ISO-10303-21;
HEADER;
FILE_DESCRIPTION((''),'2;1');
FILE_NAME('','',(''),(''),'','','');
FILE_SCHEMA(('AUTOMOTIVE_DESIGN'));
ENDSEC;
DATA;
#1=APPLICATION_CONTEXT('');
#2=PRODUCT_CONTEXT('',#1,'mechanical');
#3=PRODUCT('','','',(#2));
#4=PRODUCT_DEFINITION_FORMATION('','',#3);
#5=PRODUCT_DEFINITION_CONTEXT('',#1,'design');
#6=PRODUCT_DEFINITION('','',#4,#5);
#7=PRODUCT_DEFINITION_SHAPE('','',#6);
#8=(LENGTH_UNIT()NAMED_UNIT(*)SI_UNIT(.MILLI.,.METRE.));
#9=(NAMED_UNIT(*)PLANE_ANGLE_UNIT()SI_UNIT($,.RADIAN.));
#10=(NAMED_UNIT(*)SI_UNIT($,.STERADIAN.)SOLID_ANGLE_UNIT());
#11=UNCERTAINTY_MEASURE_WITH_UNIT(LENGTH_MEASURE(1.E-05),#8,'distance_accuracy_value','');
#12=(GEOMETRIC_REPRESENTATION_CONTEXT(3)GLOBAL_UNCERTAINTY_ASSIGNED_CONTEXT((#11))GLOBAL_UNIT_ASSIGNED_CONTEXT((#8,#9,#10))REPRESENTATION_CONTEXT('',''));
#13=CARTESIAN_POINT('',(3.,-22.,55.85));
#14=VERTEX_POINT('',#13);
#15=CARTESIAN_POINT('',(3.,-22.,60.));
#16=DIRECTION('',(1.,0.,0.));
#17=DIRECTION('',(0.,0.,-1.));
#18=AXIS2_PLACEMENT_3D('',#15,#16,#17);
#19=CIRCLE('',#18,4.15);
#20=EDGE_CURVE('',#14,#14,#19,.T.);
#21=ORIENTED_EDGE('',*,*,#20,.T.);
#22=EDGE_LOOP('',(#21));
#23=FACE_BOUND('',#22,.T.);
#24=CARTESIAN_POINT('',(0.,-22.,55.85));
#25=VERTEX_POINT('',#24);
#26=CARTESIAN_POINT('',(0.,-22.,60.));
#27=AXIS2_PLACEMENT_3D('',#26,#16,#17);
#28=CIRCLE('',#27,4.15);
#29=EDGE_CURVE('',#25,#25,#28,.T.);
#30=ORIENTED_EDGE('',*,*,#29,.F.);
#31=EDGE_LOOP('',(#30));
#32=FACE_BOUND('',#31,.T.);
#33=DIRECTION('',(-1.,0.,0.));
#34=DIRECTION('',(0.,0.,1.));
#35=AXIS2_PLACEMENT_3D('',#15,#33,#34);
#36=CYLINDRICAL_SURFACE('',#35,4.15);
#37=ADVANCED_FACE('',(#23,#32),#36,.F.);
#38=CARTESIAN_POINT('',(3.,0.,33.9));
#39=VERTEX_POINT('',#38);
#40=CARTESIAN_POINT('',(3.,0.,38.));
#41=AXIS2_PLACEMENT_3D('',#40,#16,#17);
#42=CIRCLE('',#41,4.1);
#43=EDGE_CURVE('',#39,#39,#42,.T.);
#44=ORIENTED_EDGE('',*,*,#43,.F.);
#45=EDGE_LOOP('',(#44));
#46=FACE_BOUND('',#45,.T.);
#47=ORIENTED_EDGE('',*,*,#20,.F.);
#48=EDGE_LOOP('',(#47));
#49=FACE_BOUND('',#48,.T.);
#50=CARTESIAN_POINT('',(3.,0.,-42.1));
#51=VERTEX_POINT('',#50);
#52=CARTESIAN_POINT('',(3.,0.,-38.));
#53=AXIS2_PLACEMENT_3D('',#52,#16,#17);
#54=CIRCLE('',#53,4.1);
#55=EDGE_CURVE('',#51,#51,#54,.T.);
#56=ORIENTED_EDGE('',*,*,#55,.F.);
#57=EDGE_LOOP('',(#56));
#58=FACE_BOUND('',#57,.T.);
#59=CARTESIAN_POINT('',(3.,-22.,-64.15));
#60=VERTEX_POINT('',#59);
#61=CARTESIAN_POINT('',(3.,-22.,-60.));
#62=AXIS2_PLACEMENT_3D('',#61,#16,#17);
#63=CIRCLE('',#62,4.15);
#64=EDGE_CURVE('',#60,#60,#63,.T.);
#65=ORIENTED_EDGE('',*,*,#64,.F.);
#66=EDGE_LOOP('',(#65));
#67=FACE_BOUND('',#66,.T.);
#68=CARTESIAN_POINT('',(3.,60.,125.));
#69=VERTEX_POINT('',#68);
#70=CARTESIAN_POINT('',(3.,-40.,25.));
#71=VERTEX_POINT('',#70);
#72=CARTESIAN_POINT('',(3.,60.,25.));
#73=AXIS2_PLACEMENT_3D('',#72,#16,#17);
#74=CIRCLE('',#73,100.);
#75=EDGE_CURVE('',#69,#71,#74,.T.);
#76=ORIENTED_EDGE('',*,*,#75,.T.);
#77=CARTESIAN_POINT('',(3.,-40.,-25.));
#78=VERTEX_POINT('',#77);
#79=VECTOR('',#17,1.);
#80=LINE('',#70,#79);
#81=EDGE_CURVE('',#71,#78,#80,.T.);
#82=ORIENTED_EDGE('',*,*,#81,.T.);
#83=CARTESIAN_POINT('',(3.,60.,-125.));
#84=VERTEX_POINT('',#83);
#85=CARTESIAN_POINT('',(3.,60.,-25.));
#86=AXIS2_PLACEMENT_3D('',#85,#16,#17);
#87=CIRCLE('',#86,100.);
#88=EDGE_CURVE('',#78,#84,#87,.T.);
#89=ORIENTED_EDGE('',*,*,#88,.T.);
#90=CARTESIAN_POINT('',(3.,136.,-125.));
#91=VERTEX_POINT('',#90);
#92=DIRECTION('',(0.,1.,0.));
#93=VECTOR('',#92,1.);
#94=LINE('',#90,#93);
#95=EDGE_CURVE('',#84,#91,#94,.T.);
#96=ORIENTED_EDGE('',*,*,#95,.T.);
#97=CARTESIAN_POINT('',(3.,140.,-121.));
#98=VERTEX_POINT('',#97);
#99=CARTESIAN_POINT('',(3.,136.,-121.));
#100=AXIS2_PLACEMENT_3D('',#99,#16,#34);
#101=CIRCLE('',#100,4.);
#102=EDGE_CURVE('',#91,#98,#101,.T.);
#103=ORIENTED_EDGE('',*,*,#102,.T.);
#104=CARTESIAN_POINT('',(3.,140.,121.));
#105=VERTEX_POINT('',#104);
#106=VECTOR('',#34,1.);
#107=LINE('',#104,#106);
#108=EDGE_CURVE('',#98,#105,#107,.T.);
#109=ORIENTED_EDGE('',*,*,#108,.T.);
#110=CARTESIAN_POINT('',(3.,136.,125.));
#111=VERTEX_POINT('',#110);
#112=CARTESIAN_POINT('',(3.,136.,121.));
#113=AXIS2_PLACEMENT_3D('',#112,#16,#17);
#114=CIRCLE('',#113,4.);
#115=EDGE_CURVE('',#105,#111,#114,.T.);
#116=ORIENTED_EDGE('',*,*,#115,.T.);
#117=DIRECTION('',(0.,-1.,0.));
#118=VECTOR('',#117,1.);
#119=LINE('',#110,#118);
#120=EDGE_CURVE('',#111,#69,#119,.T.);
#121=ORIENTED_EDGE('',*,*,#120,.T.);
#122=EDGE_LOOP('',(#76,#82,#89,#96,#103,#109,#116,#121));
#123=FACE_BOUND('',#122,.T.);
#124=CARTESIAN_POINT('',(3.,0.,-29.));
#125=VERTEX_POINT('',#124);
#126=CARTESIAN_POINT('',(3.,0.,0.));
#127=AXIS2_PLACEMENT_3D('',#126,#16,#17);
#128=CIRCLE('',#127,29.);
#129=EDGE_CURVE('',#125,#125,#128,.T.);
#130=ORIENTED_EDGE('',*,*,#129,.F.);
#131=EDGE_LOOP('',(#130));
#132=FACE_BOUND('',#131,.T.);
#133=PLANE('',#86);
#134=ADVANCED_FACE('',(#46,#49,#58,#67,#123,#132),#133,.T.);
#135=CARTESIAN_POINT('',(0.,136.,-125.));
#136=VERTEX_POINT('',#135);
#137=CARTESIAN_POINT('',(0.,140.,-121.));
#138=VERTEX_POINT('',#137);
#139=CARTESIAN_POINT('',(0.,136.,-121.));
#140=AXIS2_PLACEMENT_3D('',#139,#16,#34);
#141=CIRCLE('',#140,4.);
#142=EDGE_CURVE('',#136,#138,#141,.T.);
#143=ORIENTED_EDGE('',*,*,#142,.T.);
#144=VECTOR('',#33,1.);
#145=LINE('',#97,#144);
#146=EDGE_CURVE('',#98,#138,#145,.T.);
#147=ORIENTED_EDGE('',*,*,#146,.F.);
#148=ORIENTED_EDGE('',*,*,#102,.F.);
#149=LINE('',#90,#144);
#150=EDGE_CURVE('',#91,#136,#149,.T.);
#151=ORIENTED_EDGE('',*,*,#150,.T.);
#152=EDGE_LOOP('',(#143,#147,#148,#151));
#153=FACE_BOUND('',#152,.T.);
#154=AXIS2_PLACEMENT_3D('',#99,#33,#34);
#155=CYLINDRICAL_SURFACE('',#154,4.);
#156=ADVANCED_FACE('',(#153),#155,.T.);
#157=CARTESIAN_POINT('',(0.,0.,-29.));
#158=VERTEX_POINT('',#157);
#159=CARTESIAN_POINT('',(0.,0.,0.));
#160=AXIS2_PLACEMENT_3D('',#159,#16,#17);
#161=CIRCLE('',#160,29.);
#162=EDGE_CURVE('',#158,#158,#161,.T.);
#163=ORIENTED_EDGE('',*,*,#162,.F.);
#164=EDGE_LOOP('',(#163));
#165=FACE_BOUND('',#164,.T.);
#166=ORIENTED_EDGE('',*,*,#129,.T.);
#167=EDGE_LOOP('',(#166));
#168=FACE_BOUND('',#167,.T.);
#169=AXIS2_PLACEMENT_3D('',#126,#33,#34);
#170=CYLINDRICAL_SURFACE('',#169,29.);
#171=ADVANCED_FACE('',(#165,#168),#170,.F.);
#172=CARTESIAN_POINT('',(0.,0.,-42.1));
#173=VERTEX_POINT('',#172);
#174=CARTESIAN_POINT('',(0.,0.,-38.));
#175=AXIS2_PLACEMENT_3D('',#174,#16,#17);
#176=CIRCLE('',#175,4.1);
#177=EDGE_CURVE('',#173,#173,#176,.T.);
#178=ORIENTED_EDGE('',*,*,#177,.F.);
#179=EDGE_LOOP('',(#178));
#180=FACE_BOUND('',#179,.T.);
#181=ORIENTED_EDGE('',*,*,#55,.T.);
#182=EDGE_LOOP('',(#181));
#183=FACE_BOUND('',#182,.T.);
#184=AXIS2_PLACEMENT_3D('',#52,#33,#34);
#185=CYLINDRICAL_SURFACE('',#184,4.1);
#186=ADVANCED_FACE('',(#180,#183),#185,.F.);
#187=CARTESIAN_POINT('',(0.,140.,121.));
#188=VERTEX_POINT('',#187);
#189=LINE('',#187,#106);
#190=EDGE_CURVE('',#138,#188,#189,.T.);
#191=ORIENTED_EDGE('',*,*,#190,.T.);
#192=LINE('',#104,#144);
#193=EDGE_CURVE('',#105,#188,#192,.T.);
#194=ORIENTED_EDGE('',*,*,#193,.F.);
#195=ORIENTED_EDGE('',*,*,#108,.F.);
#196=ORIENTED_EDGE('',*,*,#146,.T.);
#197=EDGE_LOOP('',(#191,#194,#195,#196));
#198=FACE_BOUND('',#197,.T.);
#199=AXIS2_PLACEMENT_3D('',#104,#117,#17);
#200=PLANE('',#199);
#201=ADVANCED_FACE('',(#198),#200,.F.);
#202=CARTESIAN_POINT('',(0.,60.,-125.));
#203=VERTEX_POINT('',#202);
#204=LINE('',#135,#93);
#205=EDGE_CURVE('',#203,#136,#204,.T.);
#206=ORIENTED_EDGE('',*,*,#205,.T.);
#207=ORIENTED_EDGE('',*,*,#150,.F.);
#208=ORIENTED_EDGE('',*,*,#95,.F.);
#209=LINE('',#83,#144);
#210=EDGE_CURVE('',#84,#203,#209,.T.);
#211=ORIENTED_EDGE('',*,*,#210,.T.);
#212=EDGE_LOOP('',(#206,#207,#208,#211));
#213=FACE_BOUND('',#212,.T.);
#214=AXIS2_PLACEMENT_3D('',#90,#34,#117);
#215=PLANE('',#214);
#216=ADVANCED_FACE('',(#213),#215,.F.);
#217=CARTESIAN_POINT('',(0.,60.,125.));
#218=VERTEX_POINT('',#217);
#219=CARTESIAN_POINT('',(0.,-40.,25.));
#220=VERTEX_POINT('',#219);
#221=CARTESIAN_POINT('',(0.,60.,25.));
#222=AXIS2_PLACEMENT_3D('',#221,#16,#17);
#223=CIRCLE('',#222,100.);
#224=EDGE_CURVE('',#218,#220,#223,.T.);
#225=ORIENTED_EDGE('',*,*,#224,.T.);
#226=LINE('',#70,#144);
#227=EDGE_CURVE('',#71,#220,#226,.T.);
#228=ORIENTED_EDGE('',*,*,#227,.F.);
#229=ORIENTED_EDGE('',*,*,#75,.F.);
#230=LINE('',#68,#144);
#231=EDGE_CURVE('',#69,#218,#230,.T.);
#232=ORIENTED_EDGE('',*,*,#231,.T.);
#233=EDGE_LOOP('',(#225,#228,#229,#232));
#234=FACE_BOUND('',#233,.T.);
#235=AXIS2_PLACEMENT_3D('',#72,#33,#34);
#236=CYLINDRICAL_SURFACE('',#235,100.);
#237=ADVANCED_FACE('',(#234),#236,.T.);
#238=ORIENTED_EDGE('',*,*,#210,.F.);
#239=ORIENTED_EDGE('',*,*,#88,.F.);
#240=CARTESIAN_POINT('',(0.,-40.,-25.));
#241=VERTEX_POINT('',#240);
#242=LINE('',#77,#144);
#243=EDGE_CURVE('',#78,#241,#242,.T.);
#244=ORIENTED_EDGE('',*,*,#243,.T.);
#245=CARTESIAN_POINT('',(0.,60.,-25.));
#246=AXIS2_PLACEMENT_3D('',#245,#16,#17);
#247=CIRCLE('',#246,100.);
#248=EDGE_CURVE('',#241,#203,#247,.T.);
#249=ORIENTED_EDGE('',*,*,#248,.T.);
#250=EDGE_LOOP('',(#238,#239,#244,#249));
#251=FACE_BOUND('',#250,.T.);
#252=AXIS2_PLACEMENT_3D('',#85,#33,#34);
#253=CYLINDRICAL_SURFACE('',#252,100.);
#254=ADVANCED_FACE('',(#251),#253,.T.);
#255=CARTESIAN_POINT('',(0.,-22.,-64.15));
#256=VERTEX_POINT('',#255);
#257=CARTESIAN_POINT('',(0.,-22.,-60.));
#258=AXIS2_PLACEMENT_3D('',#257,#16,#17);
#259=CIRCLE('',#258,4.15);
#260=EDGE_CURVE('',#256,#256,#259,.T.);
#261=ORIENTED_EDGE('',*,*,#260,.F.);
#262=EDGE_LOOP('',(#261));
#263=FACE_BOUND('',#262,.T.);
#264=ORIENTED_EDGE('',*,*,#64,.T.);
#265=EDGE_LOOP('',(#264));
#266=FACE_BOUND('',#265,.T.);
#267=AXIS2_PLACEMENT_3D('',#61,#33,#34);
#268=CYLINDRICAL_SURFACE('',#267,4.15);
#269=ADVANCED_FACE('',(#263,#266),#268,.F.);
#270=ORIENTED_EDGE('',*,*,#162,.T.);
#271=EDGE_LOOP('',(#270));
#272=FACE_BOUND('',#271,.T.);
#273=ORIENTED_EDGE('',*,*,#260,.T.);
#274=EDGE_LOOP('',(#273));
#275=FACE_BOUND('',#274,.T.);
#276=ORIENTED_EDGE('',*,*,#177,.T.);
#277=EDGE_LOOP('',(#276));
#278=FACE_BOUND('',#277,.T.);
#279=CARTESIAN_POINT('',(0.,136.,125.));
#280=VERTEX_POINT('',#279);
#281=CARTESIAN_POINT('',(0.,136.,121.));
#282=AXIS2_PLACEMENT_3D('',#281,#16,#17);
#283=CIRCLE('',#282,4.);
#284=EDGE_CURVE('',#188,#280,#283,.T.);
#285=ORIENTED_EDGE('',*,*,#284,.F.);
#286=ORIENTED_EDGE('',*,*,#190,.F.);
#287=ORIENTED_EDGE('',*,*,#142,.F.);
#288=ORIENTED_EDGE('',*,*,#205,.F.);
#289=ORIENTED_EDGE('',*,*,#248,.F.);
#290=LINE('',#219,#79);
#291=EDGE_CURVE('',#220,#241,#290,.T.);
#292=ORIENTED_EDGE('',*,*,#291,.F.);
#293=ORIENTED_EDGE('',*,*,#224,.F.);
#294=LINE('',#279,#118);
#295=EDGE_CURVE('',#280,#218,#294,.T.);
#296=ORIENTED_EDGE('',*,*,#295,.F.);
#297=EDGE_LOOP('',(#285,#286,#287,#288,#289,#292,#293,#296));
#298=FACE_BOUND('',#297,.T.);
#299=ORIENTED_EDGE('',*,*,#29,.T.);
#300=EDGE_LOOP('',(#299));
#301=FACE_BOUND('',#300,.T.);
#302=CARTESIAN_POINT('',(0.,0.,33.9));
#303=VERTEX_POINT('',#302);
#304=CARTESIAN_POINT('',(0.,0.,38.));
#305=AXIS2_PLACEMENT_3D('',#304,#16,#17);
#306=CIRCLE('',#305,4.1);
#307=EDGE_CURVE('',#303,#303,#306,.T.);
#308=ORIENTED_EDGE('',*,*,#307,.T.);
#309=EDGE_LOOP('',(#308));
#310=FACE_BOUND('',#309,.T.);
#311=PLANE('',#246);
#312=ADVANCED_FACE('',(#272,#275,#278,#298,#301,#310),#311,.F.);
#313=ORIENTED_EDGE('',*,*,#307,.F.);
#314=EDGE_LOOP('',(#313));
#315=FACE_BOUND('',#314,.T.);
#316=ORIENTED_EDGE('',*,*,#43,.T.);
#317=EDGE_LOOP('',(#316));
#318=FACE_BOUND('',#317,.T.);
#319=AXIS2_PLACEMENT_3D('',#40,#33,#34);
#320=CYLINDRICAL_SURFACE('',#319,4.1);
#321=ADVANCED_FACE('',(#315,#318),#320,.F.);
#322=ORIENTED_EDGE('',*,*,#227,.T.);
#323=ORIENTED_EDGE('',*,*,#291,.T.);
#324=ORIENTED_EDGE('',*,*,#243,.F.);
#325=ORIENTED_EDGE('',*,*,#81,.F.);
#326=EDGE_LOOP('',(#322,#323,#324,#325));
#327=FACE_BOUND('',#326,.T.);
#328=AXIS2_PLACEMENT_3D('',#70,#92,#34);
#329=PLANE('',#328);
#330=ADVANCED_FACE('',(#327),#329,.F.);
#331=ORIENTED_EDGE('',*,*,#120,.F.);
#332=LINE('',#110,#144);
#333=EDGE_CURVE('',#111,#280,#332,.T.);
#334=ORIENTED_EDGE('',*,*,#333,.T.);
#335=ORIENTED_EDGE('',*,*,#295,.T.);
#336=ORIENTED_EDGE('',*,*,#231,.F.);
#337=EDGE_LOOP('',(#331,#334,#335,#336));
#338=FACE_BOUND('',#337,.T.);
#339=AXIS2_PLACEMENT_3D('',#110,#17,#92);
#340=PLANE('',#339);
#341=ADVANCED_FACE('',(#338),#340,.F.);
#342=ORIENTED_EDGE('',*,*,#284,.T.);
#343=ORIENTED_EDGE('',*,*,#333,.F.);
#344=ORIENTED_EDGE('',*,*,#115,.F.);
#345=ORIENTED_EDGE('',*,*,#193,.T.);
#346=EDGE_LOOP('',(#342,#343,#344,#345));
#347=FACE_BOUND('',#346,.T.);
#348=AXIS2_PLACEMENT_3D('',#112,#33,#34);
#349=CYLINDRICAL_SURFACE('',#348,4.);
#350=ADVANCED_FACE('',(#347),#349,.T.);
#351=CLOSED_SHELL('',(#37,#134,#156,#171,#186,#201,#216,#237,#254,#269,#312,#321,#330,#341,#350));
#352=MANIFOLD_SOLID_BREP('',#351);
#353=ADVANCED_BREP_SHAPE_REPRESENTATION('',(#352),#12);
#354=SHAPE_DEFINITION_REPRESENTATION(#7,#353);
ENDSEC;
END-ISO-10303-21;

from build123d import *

# Parameters (mm, degrees)
SKETCH_1_R      = 29
SKETCH_1_R_2    = 4.1
SKETCH_1_R_3    = 4.15
EXTRUDE_1_DEPTH = 3


with BuildPart() as part:
    # Эскиз1 → Бобышка-Вытянуть1 (new body)
    with BuildSketch(Plane(origin=(0, 0, 0), x_dir=(0, 0, -1), z_dir=(1, 0, 0))):
        with BuildLine():
            Line((-121, 140), (121, 140))
            ThreePointArc((121, 140), (123.828427125, 138.828427125), (125, 136))
            Line((125, 136), (125, 60))
            ThreePointArc((125, 60), (95.710678119, -10.710678119), (25, -40))
            Line((25, -40), (-25, -40))
            ThreePointArc((-25, -40), (-95.710678119, -10.710678119), (-125, 60))
            Line((-125, 60), (-125, 136))
            ThreePointArc((-125, 136), (-123.828427125, 138.828427125), (-121, 140))
        make_face()
        Circle(SKETCH_1_R, mode=Mode.SUBTRACT)
        with Locations((38, 0)):
            Circle(SKETCH_1_R_2, mode=Mode.SUBTRACT)
        with Locations((-38, 0)):
            Circle(SKETCH_1_R_2, mode=Mode.SUBTRACT)
        with Locations((-60, -22)):
            Circle(SKETCH_1_R_3, mode=Mode.SUBTRACT)
        with Locations((60, -22)):
            Circle(SKETCH_1_R_3, mode=Mode.SUBTRACT)
    extrude(amount=EXTRUDE_1_DEPTH)


solid = part.part
